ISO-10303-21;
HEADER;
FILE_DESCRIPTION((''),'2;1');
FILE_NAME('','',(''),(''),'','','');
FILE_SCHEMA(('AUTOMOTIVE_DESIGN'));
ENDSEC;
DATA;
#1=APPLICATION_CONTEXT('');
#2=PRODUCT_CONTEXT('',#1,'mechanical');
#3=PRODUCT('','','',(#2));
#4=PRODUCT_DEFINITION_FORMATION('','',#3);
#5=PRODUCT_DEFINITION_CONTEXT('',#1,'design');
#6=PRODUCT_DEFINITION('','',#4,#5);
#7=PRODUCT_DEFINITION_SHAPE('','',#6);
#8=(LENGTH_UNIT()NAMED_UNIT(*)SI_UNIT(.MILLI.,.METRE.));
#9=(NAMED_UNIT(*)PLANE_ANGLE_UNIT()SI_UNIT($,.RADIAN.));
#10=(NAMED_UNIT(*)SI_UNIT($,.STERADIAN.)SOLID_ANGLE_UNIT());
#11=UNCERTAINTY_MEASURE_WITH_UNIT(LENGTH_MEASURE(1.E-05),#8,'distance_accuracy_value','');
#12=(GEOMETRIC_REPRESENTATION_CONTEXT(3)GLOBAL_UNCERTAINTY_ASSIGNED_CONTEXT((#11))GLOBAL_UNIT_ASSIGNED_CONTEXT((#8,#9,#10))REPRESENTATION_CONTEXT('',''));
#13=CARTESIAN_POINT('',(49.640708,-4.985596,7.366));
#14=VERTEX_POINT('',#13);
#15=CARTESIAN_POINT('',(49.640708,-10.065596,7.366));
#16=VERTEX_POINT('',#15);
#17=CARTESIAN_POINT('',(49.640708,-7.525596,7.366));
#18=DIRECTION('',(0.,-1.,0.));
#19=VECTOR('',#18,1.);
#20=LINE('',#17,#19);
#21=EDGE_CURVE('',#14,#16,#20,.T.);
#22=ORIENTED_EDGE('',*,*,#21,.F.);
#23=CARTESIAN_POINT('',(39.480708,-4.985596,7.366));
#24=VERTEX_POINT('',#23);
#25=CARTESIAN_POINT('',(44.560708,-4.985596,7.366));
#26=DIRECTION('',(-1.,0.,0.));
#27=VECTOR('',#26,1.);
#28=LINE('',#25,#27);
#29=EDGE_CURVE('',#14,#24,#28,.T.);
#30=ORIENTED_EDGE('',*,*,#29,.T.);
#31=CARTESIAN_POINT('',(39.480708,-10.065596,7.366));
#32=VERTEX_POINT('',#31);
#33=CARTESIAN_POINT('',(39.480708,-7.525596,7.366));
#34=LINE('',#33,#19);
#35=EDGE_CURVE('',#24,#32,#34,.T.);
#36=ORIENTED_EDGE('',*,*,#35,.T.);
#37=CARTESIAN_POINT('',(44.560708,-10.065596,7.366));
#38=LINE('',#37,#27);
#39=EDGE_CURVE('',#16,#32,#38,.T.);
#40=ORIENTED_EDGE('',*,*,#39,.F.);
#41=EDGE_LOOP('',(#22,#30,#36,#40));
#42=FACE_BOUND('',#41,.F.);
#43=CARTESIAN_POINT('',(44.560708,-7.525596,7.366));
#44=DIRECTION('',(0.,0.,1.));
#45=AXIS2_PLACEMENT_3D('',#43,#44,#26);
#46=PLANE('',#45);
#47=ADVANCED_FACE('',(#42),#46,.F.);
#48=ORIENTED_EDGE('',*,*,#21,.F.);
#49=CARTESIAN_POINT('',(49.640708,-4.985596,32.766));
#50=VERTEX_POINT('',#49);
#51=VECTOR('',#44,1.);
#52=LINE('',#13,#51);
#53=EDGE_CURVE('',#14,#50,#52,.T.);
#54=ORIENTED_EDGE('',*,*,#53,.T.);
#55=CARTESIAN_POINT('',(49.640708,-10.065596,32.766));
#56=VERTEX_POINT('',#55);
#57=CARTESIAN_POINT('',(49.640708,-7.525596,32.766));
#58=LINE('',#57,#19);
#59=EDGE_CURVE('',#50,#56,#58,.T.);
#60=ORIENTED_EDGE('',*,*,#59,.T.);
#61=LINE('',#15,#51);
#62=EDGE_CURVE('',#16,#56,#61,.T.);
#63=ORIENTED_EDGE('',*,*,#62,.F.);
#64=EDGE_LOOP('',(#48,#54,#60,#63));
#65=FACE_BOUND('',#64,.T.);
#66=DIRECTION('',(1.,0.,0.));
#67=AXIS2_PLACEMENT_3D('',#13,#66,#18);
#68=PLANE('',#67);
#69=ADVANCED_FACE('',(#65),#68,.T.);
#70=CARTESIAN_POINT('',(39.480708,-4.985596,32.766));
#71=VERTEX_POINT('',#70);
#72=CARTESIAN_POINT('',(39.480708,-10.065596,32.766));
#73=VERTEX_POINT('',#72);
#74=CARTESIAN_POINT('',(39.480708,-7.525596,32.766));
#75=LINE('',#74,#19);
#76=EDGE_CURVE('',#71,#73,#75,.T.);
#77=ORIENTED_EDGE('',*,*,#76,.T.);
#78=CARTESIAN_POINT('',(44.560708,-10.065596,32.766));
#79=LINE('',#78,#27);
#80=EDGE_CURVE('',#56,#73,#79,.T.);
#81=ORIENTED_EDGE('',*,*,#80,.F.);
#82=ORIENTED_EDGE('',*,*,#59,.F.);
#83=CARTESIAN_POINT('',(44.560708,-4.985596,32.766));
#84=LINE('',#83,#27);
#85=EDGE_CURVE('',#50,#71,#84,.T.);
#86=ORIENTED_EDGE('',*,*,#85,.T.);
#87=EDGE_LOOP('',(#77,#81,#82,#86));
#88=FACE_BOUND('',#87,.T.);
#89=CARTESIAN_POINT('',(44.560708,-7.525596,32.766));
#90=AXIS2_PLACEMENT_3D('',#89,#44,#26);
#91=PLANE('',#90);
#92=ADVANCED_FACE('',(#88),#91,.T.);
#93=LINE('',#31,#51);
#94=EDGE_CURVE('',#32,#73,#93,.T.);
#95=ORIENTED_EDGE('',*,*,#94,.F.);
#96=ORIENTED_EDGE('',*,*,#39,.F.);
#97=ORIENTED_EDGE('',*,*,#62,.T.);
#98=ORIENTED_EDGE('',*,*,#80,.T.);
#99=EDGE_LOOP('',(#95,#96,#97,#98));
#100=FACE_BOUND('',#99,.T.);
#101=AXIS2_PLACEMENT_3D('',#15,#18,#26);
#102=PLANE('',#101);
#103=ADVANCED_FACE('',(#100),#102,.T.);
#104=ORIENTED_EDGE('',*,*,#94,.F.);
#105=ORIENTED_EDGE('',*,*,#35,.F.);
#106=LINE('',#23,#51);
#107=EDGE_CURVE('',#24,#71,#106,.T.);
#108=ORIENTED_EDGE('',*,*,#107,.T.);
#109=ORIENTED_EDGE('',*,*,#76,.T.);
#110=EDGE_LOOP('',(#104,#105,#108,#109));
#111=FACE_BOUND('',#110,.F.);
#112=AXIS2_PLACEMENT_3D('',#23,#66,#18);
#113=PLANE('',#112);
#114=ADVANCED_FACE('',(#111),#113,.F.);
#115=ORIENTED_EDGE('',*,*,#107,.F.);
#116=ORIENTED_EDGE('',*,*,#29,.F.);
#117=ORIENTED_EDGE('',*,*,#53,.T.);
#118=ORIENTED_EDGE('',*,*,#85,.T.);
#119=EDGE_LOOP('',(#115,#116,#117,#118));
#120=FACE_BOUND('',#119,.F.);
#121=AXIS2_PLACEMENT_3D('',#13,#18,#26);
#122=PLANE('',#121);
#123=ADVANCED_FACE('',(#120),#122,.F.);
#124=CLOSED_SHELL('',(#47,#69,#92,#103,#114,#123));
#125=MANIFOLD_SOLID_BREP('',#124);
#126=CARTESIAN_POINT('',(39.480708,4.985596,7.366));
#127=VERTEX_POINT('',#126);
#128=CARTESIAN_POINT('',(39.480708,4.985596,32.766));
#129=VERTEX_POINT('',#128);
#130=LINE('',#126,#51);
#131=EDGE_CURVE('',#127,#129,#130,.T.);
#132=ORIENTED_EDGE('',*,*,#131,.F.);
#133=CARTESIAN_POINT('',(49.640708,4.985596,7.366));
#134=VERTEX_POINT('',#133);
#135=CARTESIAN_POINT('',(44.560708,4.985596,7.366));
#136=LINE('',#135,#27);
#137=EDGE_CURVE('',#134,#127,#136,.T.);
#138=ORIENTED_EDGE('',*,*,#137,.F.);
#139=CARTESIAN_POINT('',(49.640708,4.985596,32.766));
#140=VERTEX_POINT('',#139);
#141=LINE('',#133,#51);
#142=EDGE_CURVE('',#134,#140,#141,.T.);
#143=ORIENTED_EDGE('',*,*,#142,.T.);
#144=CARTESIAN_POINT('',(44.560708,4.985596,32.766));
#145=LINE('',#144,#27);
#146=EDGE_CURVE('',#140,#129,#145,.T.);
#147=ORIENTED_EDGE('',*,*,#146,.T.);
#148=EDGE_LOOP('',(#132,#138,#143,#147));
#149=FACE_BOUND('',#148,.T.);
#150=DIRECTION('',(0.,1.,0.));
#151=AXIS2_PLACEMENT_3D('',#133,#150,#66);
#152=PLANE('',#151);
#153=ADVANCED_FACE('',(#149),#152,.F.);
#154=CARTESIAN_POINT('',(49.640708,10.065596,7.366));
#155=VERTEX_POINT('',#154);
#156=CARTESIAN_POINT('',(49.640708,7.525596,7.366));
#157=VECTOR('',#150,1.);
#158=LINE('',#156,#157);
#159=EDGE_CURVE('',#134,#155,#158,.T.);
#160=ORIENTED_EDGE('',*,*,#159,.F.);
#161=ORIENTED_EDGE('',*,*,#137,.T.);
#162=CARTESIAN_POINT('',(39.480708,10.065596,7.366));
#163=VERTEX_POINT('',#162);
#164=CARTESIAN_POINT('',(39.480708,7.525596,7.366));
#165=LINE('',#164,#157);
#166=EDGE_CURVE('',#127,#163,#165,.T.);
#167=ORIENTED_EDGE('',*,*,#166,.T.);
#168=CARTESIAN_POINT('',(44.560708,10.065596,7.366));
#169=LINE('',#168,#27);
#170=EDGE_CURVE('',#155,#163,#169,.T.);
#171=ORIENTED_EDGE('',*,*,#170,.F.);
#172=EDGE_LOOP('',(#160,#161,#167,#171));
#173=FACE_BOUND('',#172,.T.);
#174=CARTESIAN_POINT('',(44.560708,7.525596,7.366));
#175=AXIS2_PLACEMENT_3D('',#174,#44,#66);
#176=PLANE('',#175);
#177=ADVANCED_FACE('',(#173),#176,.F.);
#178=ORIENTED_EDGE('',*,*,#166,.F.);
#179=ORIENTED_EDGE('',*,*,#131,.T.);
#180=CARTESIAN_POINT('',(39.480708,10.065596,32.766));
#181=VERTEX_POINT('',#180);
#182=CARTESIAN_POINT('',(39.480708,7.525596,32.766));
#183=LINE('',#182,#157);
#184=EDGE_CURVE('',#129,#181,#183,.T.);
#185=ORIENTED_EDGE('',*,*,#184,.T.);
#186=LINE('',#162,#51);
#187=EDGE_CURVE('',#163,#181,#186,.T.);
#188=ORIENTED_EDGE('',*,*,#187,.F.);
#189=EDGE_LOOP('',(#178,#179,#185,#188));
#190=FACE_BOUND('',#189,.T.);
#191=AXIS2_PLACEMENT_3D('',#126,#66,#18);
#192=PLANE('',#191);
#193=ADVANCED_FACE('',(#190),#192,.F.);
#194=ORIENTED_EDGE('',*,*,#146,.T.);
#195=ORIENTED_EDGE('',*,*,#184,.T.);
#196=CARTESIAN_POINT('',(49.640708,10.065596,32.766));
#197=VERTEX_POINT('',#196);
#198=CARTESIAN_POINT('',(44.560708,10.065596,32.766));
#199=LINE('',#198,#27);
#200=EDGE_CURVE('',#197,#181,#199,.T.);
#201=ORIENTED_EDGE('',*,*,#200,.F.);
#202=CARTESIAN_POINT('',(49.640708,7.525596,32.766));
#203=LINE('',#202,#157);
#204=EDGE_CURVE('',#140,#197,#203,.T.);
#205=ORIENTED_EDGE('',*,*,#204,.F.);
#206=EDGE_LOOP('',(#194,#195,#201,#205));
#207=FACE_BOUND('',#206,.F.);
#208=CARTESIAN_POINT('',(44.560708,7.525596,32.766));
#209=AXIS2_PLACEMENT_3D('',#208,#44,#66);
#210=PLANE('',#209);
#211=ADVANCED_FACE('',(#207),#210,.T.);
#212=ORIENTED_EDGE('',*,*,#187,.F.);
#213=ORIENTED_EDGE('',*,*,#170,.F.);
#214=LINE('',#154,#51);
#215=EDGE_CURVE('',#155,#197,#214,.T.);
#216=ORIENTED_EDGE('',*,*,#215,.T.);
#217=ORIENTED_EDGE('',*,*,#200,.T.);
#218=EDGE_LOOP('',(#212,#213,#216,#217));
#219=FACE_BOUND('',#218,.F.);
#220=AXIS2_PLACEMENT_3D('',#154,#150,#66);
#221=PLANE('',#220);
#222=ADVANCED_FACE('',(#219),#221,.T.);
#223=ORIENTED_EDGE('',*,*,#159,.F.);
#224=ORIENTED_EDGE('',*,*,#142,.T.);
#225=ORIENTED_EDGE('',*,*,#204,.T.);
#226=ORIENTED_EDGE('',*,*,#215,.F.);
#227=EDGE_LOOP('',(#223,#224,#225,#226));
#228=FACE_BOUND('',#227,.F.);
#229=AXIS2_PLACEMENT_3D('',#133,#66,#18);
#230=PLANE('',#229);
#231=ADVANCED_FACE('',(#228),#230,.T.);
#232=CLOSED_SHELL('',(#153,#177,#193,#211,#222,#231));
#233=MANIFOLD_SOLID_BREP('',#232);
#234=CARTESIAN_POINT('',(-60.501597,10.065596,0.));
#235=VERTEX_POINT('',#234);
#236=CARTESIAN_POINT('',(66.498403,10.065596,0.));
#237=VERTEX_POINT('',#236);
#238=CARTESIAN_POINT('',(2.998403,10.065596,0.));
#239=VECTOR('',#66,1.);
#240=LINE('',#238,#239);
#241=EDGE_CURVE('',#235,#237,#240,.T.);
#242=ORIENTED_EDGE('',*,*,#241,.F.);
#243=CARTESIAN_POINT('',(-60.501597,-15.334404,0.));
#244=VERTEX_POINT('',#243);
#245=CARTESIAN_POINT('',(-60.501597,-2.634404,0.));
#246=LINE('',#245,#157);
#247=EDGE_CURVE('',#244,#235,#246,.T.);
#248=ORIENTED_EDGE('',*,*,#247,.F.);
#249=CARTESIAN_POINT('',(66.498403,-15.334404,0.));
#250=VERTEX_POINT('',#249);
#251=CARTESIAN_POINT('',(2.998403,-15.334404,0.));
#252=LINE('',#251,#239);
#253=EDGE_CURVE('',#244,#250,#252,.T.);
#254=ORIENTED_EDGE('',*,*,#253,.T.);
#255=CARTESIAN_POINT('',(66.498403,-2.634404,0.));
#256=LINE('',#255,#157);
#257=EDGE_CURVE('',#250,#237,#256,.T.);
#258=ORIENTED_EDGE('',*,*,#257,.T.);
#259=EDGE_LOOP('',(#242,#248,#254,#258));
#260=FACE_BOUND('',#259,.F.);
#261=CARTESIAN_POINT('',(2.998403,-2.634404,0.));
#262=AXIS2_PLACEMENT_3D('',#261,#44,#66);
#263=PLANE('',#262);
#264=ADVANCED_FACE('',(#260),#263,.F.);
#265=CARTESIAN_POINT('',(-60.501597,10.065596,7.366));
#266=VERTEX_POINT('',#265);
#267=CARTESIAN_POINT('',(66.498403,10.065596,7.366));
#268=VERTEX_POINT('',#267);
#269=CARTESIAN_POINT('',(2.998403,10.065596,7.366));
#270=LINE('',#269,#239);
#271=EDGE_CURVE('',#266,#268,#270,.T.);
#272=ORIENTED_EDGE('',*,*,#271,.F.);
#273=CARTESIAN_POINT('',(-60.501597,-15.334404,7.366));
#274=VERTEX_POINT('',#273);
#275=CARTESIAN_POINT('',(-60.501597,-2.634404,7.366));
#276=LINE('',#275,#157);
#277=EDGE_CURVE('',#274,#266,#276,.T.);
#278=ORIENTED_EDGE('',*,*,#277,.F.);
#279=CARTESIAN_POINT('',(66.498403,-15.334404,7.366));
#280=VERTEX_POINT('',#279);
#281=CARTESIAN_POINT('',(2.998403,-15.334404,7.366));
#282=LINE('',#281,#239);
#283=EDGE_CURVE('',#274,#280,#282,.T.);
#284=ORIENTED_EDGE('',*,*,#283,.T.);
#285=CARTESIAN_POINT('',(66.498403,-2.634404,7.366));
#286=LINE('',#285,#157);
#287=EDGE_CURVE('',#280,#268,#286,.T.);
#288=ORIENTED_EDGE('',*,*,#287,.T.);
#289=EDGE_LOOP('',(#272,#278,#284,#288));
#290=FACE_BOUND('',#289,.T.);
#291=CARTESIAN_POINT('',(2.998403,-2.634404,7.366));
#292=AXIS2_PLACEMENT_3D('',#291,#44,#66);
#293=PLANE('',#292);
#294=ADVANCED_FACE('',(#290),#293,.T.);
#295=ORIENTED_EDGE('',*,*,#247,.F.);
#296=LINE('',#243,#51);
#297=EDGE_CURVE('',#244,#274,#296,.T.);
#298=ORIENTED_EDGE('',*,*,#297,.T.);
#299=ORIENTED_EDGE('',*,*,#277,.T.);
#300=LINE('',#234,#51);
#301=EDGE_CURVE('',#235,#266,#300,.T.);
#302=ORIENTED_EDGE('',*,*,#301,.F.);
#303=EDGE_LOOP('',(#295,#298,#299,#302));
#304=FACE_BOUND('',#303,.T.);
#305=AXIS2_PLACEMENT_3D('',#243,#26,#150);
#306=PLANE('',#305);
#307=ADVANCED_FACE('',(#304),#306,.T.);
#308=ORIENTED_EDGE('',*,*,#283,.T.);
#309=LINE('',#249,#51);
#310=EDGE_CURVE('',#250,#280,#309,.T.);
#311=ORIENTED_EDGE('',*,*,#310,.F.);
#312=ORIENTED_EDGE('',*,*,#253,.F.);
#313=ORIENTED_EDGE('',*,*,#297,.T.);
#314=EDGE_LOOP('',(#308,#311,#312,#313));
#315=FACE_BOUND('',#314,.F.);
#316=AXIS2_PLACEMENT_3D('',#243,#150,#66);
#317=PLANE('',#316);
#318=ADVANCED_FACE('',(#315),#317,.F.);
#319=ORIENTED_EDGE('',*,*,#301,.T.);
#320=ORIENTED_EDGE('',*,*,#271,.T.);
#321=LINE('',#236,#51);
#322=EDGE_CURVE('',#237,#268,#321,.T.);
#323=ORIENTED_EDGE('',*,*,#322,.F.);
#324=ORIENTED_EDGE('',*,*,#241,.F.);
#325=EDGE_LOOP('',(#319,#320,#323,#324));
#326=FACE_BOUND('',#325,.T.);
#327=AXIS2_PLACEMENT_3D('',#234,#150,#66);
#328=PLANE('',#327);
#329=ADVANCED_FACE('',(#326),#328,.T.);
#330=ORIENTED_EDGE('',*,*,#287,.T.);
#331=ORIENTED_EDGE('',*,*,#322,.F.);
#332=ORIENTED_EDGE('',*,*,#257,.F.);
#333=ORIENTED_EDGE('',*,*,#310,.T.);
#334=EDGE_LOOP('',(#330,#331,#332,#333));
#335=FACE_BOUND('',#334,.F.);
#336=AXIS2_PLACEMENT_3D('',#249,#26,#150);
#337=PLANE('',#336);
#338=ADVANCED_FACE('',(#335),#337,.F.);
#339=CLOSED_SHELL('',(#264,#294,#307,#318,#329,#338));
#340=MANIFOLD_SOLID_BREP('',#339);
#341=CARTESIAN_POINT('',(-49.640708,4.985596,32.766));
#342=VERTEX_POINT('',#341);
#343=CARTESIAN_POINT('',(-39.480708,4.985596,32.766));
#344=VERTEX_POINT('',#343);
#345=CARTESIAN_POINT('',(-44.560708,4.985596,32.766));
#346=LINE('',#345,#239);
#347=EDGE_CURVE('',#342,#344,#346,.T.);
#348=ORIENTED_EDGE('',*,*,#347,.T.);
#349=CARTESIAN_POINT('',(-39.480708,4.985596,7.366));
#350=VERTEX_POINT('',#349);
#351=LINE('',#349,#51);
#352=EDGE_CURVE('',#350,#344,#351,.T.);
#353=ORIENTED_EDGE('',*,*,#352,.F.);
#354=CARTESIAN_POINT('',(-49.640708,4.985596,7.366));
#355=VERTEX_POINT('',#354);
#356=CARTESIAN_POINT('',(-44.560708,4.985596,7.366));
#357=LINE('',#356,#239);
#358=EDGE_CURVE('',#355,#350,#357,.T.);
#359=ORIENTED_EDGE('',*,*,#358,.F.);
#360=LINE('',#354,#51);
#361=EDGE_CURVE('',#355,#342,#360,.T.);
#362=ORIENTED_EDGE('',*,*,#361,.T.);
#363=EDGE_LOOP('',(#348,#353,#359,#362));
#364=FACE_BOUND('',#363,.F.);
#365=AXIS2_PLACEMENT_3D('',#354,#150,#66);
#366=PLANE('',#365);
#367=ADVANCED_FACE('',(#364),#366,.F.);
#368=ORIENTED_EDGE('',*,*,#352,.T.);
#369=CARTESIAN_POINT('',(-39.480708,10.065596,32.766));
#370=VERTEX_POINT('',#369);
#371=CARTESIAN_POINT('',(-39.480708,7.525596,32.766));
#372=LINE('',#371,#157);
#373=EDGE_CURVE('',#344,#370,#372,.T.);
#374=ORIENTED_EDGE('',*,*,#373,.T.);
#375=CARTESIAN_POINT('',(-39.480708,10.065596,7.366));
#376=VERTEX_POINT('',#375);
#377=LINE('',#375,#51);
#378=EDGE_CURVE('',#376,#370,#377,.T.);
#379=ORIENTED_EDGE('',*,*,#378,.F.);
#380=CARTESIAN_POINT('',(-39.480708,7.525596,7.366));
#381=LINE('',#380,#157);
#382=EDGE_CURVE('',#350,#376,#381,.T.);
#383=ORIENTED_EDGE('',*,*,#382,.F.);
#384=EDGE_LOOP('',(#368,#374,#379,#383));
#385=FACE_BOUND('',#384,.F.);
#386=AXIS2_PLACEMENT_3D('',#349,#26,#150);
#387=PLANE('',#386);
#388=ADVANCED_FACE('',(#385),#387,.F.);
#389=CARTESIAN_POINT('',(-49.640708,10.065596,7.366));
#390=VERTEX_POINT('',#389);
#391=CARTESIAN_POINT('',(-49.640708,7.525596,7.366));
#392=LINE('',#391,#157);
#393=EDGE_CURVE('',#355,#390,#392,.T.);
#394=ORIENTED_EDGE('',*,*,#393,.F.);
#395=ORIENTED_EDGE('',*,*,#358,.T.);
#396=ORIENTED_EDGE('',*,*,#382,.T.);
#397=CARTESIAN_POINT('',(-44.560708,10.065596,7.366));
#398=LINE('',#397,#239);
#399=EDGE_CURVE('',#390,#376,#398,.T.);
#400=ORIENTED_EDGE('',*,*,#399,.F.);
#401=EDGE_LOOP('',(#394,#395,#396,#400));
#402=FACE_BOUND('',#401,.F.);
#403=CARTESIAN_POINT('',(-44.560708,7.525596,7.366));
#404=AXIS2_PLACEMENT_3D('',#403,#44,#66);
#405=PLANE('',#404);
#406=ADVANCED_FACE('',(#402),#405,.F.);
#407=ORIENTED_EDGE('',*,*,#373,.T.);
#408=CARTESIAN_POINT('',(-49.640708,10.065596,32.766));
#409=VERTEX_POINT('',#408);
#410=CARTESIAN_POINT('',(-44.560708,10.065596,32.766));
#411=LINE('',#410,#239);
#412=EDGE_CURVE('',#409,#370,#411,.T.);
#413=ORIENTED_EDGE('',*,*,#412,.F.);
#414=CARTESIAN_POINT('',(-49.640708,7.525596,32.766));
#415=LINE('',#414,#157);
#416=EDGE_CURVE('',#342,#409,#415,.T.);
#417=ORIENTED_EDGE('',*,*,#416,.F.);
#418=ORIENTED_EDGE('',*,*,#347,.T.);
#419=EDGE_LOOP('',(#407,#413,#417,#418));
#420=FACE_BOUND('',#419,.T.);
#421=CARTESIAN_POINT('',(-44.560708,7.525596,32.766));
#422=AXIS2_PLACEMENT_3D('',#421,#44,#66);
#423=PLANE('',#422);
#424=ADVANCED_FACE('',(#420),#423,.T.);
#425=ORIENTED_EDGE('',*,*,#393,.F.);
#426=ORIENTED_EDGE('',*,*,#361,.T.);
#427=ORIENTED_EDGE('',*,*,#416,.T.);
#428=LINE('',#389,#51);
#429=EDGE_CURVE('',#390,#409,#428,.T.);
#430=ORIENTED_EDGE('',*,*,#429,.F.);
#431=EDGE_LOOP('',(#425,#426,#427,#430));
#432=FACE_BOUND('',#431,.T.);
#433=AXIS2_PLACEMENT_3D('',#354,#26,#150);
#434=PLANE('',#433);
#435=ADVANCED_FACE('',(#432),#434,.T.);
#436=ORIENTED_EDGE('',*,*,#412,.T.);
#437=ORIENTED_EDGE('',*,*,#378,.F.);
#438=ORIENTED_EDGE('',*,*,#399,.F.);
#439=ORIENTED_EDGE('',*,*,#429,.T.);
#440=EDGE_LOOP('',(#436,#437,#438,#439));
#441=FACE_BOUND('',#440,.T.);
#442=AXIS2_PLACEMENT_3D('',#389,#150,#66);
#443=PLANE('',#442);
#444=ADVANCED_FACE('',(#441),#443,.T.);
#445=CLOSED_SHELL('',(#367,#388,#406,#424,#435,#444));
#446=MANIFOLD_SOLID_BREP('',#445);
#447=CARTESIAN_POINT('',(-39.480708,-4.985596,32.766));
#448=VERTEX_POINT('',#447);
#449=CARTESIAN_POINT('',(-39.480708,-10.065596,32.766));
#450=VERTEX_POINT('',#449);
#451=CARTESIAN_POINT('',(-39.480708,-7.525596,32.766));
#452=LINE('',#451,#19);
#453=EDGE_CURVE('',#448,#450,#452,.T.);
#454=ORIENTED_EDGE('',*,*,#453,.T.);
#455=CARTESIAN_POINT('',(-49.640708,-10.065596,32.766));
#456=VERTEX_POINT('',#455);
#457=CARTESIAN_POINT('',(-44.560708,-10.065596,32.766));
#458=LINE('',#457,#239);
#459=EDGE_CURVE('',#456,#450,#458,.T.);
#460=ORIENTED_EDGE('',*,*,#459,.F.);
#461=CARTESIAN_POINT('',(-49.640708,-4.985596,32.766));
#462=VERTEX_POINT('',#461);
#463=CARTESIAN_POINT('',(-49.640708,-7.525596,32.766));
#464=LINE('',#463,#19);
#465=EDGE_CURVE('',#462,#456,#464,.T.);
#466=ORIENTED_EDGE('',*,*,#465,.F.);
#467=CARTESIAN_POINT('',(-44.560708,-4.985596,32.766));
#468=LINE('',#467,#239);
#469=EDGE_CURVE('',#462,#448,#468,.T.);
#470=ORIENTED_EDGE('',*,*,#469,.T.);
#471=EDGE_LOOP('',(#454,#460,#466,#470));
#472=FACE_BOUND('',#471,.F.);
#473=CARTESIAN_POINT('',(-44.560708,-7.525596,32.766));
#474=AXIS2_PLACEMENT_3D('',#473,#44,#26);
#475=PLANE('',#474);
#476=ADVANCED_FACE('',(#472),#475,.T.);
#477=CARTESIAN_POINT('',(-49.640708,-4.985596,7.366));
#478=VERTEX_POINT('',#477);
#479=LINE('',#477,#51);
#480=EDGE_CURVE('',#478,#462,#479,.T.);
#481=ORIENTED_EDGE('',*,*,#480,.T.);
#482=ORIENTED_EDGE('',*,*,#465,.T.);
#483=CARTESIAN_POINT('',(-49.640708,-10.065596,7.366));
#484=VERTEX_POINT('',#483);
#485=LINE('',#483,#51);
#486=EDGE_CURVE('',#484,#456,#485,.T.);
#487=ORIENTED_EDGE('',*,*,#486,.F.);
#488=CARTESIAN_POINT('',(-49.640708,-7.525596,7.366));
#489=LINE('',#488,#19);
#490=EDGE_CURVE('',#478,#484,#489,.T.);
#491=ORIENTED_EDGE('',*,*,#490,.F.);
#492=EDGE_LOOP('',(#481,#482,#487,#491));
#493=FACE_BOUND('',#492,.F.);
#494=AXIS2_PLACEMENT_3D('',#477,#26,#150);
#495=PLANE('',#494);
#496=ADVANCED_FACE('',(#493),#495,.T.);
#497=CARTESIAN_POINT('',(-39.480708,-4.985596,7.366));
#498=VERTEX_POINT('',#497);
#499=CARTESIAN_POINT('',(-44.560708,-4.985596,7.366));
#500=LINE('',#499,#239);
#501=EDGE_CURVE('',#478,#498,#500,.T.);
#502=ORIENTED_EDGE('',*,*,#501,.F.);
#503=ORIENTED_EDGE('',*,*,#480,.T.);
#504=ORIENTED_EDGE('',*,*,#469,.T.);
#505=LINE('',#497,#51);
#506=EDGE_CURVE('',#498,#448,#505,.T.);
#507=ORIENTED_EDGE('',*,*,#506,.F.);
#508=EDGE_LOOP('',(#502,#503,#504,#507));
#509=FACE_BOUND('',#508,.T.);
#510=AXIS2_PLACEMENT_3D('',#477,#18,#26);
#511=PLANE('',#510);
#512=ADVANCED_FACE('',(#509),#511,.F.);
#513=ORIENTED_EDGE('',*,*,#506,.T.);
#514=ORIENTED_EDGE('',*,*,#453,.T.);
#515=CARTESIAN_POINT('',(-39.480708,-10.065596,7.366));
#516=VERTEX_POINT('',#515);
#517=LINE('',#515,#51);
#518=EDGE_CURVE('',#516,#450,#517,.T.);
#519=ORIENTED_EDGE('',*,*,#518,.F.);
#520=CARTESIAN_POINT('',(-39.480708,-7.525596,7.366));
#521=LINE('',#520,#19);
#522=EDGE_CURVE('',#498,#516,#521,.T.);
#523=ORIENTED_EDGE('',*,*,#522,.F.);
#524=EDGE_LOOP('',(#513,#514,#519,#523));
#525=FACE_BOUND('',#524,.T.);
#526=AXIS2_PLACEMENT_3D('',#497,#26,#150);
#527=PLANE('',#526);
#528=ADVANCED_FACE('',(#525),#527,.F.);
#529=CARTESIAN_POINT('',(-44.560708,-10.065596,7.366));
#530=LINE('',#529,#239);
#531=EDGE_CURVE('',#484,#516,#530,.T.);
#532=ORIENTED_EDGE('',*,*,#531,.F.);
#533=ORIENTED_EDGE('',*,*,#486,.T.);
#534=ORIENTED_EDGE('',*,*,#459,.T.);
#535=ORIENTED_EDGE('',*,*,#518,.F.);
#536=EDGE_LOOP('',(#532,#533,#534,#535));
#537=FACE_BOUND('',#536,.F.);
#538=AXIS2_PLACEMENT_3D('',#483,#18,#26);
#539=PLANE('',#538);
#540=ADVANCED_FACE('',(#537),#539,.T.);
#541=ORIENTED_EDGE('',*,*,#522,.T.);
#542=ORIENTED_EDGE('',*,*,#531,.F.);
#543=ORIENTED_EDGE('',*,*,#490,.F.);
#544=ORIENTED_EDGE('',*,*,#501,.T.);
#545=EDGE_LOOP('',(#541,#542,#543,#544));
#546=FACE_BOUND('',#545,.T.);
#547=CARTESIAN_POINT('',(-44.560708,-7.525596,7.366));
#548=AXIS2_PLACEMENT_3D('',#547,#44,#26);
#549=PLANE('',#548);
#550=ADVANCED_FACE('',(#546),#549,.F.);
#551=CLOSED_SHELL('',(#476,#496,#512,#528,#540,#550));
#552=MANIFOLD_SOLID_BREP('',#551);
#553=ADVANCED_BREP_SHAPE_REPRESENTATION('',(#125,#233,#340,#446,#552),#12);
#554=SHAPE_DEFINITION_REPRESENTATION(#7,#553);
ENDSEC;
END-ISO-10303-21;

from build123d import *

# Parameters (mm, degrees)
F0_W     = 127
F0_H     = 25.4
F1_DEPTH = 7.366
F2_W     = 10.16
F2_H     = 5.08
F3_DEPTH = 25.4


with BuildPart() as f1:
    # F0 (on Top) → F1 (new body)
    with BuildSketch(Plane.XY):
        with Locations((2.998403, -2.634404)):
            Rectangle(F0_W, F0_H)
    extrude(amount=F1_DEPTH)


with BuildPart() as f3:
    # F2 (on face) → F3 (new body)
    with BuildSketch(Plane.XY.offset(7.366)):
        with Locations((-44.560708, 7.525596)):
            Rectangle(F2_W, F2_H)
    extrude(amount=F3_DEPTH)


with BuildPart() as f4_1:
    # F4: instance of F3
    add(f3.part.mirror(Plane.YZ))


with BuildPart() as f5_1:
    # F5: instance of F3
    add(f3.part.mirror(Plane.XZ))


with BuildPart() as f5_2:
    # F5: instance of F4_1
    add(f4_1.part.mirror(Plane.XZ))


solid = Compound([f1.part, f3.part, f4_1.part, f5_1.part, f5_2.part])
